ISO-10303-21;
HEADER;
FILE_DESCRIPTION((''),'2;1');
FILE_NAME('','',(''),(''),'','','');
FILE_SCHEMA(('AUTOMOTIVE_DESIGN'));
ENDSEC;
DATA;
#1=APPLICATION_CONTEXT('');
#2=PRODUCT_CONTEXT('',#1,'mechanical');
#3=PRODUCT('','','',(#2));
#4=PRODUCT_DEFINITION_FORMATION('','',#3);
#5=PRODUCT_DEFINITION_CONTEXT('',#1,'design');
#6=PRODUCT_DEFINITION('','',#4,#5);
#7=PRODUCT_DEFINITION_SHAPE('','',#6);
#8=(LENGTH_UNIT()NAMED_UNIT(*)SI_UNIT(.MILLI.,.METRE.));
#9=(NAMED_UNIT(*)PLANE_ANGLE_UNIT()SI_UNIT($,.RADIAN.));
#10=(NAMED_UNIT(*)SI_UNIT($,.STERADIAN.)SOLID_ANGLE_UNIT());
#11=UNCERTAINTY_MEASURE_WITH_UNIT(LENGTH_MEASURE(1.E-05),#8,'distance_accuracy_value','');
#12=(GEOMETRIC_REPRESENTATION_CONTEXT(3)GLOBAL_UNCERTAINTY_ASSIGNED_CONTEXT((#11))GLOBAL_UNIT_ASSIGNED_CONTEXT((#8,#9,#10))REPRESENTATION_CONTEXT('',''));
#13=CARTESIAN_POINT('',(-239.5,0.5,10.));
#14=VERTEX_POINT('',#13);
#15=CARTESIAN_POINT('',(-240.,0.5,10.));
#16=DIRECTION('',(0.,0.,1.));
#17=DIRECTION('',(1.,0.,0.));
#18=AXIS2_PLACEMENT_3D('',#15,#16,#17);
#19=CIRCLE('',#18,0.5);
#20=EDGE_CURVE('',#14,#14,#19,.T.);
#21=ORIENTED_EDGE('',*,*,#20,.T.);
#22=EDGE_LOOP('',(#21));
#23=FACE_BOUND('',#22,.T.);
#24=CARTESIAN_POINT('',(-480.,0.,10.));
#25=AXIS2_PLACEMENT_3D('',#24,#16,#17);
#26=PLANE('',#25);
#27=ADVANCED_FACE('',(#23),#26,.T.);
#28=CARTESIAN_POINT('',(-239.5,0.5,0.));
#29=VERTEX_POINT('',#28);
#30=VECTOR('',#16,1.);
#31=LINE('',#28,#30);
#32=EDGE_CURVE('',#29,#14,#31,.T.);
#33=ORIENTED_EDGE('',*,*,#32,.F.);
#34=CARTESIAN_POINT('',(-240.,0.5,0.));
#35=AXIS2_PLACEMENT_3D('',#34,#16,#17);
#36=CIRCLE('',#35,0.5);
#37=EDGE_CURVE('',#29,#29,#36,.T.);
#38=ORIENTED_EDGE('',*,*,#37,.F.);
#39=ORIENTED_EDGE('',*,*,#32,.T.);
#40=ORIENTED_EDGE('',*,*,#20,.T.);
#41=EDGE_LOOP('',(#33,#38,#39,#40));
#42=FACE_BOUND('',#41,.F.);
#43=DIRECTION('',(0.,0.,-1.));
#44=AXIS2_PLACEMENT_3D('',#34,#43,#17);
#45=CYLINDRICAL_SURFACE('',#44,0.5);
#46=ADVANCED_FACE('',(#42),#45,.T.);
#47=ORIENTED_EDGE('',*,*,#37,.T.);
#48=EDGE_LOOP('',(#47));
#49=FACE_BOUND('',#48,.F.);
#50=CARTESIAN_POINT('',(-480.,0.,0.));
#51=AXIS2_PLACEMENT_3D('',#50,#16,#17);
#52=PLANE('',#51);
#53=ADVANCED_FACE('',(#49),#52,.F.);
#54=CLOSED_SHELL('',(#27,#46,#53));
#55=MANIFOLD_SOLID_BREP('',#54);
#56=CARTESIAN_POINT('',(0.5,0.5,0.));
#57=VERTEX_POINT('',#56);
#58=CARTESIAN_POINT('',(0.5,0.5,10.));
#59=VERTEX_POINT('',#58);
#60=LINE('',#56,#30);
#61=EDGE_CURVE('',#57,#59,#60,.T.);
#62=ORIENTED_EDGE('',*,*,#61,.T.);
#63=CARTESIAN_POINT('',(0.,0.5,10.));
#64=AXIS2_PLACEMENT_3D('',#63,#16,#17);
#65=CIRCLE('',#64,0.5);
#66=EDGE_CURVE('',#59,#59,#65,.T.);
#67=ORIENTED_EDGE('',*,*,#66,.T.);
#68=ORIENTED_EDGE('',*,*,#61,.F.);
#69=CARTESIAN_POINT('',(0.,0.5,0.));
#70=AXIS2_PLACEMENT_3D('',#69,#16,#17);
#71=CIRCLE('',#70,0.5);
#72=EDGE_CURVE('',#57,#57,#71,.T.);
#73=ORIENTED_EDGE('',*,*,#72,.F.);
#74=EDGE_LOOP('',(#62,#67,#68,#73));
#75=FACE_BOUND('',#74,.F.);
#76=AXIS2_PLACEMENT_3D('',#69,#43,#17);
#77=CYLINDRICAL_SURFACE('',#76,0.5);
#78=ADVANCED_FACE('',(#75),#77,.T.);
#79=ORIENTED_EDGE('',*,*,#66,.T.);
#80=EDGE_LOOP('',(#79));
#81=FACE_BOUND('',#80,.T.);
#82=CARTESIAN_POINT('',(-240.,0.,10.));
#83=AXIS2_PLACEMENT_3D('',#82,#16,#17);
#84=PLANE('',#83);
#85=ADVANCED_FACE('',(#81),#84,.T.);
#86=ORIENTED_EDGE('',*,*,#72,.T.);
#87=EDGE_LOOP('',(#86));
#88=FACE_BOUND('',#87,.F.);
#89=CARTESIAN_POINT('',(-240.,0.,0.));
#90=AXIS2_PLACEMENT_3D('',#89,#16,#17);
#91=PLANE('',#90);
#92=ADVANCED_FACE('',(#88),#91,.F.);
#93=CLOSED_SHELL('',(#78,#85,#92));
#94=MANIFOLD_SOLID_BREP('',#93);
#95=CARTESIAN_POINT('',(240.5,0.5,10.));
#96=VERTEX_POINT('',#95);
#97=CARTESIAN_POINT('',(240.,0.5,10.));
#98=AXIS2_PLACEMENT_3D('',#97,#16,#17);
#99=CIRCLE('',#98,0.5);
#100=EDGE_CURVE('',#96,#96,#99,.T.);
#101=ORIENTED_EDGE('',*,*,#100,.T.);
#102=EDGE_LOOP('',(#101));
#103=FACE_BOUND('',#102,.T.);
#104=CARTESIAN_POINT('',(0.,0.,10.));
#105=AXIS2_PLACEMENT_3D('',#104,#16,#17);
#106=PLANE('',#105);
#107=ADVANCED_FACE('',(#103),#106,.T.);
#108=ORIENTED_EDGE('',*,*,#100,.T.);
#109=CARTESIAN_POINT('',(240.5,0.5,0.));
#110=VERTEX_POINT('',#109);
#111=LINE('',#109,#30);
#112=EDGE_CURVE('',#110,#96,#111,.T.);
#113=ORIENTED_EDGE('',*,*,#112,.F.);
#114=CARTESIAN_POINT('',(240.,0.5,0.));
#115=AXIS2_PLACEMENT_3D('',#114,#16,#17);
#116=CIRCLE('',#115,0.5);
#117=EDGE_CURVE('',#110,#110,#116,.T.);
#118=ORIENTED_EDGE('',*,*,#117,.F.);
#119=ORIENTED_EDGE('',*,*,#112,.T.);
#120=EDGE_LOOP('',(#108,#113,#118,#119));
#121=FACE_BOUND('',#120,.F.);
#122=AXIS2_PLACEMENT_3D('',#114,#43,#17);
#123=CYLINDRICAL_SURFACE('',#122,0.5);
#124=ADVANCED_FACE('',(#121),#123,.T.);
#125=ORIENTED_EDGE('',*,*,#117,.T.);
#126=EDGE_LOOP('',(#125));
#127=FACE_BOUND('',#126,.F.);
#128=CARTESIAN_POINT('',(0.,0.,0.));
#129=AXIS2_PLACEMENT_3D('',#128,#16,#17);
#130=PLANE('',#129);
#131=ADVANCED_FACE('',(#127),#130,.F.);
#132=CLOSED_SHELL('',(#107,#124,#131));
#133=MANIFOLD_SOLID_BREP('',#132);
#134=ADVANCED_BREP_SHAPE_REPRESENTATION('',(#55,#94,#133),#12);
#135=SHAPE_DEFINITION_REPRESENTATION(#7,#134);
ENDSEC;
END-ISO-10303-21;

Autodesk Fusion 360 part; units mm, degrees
sketch "ContactArea" plane through (0, 0, 0) normal (0, 0, 1) x (1, 0, 0)
  line L0 (300, -10) -> (-300, -10)
  line L1 (-300, -10) -> (-300, 10)
  line L2 (-300, 10) -> (300, 10)
  line L3 (300, 10) -> (300, -10)
  line L4 (300, -10) -> (-300, 10) construction
  line L5 (-300, -10) -> (300, 10) construction
  dimension "d3" = 600
  dimension "d4" = 20
sketch "Sketch2" plane through (0, 0, 0) normal (0, 0, 1) x (1, 0, 0)
  circle A0 centre (240, 0.5) radius 0.5
  line L0 (300, 10) -> (300, -10)
  line L1 (-300, 10) -> (300, 10)
  circle A1 centre (-240, 0.5) radius 0.5
  line L2 (-300, -10) -> (-300, 10)
  dimension "d5" = 1
  dimension "d11" = 60
  dimension "d12" = 9.5
  dimension "d13" = 1
  dimension "d14" = 60
  dimension "d15" = 9.5
extrude "Extrude1" add sketch "Sketch2" along normal blind 10 contours A0 makes body 1
pattern_linear "R-Pattern1" count 3 spacing 240 along (-1, 0, 0) of bodies 1 makes body 2 at (0.4994, 0.4751, 6.6667) makes body 3 at (-239.9378, 0.9961, 6.6667)
equation "ContactAreaLength = 600 mm"
equation "ContactAreaWidth = 20 mm"
equation "d3 = ContactAreaLength"
equation "d4 = ContactAreaWidth"
equation "Coord_Y = 9.5 mm"
equation "UserOffset1 = 60 mm"
equation "UserOffset2 = 60 mm"
equation "Offset1 = if(PlacingLength >= MinDistance; UserOffset1; ContactAreaLength / 2)"
equation "Offset2 = if(PlacingLength >= MinDistance; UserOffset2; Offset1)"
equation "d11 = Offset1"
equation "d12 = Coord_Y"
equation "d14 = Offset2"
equation "d15 = Coord_Y"
equation "PlacingLength = ContactAreaLength - UserOffset1 - UserOffset2"
equation "MinDistance = 32 mm"
equation "MaxDistance = 300 mm"
equation "NumberOfIntervals = ceil(PlacingLength / MaxDistance)"
equation "NumberOfComponents = if(PlacingLength >= MinDistance; NumberOfIntervals + 1; 1)"
equation "SpaceBetween = if(PlacingLength >= MinDistance; PlacingLength / NumberOfIntervals; 0 mm)"
equation "d25 = NumberOfComponents"
equation "d27 = SpaceBetween"
